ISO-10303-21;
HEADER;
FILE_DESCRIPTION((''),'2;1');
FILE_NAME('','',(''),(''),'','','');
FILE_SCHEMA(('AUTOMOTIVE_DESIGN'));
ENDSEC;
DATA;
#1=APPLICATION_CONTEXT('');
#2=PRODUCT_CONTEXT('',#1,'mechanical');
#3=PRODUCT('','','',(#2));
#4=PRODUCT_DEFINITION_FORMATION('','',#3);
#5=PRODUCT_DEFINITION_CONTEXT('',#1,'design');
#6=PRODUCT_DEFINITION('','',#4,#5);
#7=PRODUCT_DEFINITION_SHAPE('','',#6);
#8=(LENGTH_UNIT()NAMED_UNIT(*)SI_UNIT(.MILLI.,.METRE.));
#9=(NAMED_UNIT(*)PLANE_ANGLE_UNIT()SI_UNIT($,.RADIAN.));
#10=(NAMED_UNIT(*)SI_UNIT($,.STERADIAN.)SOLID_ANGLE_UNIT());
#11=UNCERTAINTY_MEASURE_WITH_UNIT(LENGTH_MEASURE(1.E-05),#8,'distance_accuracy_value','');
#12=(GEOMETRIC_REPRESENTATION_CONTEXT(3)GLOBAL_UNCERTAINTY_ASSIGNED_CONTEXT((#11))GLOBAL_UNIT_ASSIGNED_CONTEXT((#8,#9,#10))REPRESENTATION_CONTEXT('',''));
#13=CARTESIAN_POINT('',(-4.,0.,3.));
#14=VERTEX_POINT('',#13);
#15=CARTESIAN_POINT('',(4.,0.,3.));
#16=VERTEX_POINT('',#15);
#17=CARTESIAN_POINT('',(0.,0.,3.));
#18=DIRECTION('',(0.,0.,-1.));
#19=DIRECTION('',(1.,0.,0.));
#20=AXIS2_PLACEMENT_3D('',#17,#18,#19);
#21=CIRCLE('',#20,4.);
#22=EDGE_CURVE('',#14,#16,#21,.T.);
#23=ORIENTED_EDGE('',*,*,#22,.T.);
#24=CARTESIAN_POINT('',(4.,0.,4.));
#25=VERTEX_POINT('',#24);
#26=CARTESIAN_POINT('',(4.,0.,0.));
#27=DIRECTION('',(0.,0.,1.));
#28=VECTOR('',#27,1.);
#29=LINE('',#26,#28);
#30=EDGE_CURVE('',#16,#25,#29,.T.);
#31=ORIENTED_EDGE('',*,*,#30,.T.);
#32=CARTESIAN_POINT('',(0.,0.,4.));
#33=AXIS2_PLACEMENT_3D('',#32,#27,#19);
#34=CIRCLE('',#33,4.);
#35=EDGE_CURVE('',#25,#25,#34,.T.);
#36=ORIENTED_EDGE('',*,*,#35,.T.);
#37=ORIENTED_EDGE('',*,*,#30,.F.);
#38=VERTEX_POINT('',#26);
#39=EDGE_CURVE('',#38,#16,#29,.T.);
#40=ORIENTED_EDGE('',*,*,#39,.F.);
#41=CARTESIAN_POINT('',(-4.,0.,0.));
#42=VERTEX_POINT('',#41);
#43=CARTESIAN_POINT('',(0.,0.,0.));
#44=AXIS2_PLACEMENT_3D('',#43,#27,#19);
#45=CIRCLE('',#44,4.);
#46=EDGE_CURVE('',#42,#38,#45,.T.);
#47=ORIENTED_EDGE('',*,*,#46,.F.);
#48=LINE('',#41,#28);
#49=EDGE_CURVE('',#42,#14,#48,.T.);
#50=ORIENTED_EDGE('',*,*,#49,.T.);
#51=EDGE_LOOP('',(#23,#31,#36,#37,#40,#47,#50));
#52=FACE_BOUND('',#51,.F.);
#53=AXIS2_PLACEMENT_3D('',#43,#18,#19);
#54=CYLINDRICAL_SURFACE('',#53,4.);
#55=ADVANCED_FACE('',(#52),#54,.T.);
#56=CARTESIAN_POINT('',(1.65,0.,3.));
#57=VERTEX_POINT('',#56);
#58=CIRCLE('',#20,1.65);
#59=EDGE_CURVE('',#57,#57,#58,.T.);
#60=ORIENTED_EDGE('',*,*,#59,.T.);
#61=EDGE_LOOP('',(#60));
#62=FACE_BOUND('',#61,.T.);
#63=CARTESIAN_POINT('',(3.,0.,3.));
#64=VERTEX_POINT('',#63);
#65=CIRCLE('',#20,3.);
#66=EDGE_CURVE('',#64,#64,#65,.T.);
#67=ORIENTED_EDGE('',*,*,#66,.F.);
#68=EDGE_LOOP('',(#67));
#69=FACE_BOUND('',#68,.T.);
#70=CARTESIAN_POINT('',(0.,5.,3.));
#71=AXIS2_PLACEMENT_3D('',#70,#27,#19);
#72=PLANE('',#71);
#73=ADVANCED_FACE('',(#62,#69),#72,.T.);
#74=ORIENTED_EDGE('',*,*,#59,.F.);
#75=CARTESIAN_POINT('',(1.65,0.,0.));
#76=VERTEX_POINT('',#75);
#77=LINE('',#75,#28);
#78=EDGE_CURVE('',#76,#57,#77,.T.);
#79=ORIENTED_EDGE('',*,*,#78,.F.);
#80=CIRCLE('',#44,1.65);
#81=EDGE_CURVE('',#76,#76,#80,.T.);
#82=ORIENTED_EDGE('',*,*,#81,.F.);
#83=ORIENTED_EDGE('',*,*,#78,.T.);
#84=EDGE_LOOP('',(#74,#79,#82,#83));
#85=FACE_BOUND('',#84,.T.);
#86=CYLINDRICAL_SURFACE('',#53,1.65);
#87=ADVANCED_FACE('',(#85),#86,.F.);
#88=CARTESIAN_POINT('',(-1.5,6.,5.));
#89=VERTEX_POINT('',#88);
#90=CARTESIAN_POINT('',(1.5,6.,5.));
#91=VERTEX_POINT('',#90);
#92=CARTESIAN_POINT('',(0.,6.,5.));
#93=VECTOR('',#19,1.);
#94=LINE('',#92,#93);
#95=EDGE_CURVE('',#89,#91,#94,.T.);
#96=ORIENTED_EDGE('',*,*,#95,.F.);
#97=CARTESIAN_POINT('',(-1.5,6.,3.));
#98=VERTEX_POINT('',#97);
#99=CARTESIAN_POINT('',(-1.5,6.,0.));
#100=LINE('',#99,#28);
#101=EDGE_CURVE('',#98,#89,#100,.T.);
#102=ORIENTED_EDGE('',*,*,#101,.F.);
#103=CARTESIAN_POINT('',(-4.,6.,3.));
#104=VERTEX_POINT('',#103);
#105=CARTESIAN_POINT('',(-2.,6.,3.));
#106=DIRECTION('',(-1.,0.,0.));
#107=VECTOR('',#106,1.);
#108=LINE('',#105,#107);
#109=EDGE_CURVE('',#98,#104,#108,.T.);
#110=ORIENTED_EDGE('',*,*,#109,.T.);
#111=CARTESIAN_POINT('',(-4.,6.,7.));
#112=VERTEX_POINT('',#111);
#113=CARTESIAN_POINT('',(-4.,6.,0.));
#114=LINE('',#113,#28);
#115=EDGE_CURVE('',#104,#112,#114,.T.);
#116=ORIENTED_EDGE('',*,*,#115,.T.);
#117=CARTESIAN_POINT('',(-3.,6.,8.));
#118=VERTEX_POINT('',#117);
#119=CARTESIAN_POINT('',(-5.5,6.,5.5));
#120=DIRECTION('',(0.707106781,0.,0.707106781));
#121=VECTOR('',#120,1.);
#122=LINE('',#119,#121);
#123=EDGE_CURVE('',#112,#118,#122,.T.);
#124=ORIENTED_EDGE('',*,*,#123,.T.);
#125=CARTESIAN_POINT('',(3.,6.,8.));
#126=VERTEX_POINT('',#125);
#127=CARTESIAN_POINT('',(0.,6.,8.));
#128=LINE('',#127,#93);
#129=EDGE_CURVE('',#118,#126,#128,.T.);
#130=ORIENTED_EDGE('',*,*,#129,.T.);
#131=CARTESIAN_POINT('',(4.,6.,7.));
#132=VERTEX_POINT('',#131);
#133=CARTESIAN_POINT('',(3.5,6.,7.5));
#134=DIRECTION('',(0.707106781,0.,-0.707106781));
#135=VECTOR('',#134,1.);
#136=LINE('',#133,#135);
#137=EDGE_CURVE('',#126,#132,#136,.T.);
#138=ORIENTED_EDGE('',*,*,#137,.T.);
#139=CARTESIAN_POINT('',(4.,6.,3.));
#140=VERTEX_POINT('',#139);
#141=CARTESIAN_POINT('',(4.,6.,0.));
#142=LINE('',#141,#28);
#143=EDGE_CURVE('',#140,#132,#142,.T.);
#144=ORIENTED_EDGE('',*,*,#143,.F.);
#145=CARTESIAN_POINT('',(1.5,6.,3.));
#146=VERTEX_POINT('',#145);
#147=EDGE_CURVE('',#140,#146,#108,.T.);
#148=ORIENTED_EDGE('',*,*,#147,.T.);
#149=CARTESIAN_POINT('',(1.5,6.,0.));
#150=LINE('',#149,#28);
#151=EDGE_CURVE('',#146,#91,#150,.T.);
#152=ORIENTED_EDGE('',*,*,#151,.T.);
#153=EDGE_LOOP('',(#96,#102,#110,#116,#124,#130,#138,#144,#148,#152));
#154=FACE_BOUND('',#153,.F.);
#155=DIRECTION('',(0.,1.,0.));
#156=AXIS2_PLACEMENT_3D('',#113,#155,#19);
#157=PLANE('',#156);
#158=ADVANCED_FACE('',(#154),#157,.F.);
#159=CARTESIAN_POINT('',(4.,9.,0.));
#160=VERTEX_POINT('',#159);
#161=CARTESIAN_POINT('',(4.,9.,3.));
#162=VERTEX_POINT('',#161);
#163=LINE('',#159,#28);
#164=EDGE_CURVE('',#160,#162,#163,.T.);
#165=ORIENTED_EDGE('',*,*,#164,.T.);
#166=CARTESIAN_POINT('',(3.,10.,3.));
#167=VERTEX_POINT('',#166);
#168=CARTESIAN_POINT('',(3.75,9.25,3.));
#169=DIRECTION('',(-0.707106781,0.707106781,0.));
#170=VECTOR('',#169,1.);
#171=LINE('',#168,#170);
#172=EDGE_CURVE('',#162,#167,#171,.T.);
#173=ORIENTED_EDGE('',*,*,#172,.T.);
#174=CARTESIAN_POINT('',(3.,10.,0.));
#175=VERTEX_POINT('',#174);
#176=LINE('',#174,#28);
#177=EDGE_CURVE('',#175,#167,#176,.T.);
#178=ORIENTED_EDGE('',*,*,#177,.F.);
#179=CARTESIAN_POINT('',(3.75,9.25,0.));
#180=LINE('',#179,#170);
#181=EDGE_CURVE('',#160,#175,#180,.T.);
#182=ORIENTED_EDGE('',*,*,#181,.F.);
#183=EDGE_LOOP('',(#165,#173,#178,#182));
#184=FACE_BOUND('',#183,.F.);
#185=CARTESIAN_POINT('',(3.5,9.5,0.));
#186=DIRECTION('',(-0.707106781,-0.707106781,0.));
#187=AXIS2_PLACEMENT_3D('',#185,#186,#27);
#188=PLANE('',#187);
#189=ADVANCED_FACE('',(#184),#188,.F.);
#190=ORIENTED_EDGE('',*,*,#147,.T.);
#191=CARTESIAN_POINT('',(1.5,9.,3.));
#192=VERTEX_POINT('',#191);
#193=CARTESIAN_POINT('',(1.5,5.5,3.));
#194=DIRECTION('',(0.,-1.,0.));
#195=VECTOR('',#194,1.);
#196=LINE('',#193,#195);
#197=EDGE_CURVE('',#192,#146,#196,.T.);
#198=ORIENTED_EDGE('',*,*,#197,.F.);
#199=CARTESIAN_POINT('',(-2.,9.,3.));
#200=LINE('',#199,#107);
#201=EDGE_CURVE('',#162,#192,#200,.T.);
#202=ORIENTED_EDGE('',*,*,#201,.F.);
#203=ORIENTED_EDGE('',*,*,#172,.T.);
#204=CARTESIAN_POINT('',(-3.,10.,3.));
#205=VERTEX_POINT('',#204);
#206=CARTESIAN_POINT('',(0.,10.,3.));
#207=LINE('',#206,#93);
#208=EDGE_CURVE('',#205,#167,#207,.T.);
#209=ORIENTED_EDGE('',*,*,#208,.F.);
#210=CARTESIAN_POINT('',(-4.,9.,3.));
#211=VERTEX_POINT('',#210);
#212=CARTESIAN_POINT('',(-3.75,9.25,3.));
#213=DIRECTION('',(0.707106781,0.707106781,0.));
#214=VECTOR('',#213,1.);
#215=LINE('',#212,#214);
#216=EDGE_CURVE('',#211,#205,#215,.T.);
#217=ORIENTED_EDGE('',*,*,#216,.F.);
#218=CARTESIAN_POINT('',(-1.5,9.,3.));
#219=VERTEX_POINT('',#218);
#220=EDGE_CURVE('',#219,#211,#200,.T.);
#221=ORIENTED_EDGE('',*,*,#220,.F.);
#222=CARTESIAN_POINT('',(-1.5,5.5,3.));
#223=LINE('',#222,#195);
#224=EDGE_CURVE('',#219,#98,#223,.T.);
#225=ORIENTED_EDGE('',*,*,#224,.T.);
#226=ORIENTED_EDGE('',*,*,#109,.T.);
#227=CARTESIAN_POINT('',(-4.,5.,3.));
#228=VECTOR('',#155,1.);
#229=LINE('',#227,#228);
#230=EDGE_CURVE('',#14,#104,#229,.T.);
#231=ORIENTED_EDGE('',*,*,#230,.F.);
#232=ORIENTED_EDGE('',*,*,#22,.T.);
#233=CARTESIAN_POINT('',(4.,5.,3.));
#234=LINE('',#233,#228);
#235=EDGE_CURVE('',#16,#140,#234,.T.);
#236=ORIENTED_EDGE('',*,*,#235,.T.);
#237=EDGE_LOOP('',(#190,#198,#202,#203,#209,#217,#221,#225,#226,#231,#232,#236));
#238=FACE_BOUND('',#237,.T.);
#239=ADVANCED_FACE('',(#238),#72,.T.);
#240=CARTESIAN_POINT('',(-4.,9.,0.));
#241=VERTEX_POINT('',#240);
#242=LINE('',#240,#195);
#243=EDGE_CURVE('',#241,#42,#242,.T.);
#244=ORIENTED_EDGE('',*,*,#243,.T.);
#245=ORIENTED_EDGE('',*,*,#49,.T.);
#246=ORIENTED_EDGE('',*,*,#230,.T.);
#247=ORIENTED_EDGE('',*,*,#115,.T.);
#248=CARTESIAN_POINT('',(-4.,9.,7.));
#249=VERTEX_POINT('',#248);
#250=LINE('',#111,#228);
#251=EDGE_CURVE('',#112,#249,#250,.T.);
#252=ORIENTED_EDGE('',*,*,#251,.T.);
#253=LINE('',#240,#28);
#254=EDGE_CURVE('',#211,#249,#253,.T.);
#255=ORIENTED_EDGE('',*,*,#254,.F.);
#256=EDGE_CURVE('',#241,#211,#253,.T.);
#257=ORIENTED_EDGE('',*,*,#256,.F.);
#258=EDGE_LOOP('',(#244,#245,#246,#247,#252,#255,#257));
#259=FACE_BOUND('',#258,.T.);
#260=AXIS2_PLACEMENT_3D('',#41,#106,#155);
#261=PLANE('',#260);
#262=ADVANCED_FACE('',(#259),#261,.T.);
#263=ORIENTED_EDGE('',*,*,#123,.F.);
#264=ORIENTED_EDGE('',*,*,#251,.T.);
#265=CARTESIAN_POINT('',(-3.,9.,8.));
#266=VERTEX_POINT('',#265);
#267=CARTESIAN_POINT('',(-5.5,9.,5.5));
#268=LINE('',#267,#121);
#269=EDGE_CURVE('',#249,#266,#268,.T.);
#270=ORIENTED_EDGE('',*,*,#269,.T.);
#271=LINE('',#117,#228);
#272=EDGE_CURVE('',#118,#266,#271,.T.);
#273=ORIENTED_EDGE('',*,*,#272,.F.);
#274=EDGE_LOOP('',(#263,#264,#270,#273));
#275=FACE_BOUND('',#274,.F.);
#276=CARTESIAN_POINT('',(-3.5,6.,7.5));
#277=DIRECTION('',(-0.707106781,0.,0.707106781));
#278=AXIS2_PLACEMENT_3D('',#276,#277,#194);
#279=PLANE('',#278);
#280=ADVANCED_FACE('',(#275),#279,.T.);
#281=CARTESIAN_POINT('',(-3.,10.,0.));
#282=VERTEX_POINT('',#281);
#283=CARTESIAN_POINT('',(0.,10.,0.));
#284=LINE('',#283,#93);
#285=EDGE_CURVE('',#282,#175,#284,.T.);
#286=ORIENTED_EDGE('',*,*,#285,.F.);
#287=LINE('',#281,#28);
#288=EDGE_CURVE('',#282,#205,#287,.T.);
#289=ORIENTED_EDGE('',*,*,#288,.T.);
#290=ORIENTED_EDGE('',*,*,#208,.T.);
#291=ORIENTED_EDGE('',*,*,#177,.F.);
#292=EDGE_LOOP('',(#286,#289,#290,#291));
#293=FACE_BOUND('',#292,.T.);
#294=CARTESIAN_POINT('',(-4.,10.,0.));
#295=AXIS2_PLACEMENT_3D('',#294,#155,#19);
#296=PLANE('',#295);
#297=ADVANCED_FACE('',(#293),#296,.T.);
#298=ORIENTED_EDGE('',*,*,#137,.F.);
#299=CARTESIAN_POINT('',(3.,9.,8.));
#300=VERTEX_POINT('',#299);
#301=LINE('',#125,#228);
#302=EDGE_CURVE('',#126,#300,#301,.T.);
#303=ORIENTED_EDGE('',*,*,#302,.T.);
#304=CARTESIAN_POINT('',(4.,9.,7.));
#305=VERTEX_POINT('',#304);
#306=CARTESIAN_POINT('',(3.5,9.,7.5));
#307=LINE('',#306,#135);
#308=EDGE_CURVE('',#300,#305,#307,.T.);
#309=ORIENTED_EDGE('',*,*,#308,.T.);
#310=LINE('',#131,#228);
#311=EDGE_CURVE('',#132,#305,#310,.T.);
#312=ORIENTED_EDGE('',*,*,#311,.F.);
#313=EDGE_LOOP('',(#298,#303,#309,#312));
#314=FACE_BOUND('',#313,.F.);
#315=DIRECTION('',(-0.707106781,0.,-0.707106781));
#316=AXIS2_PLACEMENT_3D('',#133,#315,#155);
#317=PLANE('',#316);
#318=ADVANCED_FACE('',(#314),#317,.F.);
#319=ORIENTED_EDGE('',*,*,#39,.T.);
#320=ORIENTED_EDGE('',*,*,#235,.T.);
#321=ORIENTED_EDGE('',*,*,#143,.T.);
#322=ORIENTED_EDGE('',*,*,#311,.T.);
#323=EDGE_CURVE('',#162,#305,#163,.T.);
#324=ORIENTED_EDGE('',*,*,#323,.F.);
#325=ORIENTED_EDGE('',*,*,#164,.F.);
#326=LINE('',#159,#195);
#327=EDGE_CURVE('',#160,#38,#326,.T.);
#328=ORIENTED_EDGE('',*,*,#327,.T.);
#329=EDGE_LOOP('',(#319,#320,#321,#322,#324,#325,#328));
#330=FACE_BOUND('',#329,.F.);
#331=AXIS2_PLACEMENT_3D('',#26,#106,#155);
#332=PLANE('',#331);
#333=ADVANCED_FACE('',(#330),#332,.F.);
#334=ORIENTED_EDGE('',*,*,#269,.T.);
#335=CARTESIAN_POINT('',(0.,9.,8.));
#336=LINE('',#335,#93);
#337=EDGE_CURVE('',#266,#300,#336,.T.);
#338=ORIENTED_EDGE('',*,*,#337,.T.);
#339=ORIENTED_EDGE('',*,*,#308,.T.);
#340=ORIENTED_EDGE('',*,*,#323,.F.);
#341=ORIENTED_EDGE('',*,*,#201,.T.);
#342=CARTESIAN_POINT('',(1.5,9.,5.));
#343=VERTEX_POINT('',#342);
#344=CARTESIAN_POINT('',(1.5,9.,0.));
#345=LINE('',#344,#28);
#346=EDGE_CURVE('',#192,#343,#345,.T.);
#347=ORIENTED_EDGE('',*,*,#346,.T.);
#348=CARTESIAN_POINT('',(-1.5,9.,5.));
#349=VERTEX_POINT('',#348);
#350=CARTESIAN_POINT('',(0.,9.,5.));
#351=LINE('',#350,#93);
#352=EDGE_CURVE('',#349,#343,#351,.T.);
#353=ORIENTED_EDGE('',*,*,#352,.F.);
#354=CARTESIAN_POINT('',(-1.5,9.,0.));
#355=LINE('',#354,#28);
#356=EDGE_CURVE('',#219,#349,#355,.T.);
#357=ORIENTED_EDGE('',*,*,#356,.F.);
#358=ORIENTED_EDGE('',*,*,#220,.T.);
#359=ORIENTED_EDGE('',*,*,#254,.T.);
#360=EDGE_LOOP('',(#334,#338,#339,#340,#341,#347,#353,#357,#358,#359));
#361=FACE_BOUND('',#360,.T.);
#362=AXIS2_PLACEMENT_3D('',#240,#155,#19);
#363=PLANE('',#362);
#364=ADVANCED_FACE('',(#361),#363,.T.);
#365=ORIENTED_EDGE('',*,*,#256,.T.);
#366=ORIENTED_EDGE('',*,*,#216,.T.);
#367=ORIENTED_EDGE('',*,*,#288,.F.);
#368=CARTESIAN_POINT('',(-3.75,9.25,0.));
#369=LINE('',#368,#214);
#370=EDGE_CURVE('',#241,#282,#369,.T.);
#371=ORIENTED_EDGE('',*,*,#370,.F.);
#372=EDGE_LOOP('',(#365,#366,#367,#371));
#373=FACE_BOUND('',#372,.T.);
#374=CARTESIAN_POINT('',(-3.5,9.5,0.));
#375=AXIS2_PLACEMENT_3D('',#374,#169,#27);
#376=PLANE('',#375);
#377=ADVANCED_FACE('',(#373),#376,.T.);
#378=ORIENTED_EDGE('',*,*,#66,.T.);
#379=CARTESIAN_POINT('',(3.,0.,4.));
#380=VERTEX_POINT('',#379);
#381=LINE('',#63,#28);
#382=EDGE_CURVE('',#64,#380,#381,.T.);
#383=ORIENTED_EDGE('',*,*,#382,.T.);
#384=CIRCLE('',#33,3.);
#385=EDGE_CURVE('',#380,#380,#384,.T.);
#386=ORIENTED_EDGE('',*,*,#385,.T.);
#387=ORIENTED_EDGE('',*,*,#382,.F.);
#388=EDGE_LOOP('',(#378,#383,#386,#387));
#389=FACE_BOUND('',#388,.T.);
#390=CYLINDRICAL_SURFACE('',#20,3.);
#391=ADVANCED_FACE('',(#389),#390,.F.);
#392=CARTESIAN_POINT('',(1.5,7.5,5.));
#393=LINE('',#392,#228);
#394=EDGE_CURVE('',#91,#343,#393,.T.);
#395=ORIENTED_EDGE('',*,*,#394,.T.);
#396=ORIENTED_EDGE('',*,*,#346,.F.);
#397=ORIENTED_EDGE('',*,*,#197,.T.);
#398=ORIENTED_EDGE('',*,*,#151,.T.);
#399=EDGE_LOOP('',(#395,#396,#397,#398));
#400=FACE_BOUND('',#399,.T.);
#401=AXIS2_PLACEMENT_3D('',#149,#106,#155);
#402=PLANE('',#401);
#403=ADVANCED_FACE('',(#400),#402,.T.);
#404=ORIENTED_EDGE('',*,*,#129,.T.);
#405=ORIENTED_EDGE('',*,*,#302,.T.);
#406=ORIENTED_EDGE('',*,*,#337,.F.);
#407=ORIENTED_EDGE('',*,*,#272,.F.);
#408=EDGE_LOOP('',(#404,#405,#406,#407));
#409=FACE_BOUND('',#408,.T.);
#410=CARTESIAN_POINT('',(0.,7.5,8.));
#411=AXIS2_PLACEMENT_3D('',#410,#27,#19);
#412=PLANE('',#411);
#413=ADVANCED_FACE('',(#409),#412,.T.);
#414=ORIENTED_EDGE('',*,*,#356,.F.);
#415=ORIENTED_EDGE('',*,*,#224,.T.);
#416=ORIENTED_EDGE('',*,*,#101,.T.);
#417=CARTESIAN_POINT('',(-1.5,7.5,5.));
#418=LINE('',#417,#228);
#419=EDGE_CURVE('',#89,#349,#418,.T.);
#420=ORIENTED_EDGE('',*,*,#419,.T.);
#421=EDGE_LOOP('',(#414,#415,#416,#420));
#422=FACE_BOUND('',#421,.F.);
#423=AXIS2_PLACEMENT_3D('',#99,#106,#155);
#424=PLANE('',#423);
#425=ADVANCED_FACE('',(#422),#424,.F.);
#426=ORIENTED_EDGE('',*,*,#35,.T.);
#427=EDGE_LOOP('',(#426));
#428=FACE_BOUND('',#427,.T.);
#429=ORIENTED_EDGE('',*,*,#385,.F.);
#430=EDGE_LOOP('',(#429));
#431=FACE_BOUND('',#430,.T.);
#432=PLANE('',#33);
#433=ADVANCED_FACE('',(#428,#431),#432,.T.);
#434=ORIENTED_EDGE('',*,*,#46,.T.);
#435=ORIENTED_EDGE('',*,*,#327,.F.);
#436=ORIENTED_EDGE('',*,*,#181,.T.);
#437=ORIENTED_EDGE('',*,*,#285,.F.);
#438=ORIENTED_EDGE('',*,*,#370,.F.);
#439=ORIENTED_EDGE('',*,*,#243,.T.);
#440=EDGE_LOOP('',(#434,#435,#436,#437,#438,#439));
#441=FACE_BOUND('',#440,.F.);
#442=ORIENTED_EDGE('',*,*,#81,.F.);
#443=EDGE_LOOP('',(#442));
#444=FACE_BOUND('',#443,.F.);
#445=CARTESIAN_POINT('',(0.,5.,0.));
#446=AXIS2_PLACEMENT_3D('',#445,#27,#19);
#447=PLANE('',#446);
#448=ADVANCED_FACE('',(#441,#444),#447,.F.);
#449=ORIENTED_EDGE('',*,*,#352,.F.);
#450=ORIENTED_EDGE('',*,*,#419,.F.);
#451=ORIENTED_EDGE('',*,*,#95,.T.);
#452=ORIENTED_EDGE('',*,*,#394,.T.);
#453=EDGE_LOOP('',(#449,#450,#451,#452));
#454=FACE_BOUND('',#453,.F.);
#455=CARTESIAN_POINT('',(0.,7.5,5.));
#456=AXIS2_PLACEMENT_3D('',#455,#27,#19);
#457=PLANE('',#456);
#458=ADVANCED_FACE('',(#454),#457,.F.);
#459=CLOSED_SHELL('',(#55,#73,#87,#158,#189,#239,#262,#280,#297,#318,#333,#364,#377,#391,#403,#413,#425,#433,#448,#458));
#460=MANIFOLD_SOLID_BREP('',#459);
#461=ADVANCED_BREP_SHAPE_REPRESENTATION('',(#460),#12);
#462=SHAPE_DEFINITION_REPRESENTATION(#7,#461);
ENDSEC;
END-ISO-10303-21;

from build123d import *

# Parameters (mm, degrees)
CYLINDER_R        = 1.65
CYLINDER_DEPTH    = 10
BOX002_W          = 3
BOX002_H          = 3
BOX002_DEPTH      = 5
BOX001_W          = 8
BOX001_H          = 3
BOX001_DEPTH      = 8
CHAMFER_SIZE      = 1
CYLINDER004_R     = 3
CYLINDER004_DEPTH = 1
CYLINDER001_R     = 4
CYLINDER001_DEPTH = 4
BOX_W             = 8
BOX_H             = 10
BOX_DEPTH         = 3
CHAMFER004_SIZE   = 1


with BuildPart() as cylinder:
    # Cylinder → Cylinder (new body)
    with BuildSketch(Plane.XY):
        Circle(CYLINDER_R)
    extrude(amount=CYLINDER_DEPTH)


with BuildPart() as cube002:
    # Box002 → Box002 (new body)
    with BuildSketch(Plane(origin=(-1.5, 6, 0), x_dir=(1, 0, 0), z_dir=(0, 0, 1))):
        with Locations((1.5, 1.5)):
            Rectangle(BOX002_W, BOX002_H)
    extrude(amount=BOX002_DEPTH)


with BuildPart() as chamfer_body:
    # Box001 → Box001 (new body)
    with BuildSketch(Plane(origin=(-4, 6, 0), x_dir=(1, 0, 0), z_dir=(0, 0, 1))):
        with Locations((4, 1.5)):
            Rectangle(BOX001_W, BOX001_H)
    extrude(amount=BOX001_DEPTH)

    # Cut: cut Cube002
    add(cube002.part, mode=Mode.SUBTRACT)

    # Chamfer
    chamfer_edges = [chamfer_body.edges().sort_by_distance(p)[0] for p in [
        (-4, 7.5, 8),
        (4, 7.5, 8),
    ]]
    chamfer(chamfer_edges, length=CHAMFER_SIZE)


with BuildPart() as cylinder004:
    # Cylinder004 → Cylinder004 (new body)
    with BuildSketch(Plane.XY.offset(3)):
        Circle(CYLINDER004_R)
    extrude(amount=CYLINDER004_DEPTH)


with BuildPart() as cut001:
    # Cylinder001 → Cylinder001 (new body)
    with BuildSketch(Plane.XY):
        Circle(CYLINDER001_R)
    extrude(amount=CYLINDER001_DEPTH)

    # Cut001: cut Cylinder004
    add(cylinder004.part, mode=Mode.SUBTRACT)


with BuildPart() as cut005:
    # Box → Box (new body)
    with BuildSketch(Plane(origin=(-4, 0, 0), x_dir=(1, 0, 0), z_dir=(0, 0, 1))):
        with Locations((4, 5)):
            Rectangle(BOX_W, BOX_H)
    extrude(amount=BOX_DEPTH)

    # Chamfer004
    chamfer004_edges = [cut005.edges().sort_by_distance(p)[0] for p in [
        (-4, 10, 1.5),
        (4, 10, 1.5),
    ]]
    chamfer(chamfer004_edges, length=CHAMFER004_SIZE)

    # Fusion: union Chamfer body, Cut001
    add(chamfer_body.part)
    add(cut001.part)

    # Cut005: cut Cylinder
    add(cylinder.part, mode=Mode.SUBTRACT)


solid = cut005.part
